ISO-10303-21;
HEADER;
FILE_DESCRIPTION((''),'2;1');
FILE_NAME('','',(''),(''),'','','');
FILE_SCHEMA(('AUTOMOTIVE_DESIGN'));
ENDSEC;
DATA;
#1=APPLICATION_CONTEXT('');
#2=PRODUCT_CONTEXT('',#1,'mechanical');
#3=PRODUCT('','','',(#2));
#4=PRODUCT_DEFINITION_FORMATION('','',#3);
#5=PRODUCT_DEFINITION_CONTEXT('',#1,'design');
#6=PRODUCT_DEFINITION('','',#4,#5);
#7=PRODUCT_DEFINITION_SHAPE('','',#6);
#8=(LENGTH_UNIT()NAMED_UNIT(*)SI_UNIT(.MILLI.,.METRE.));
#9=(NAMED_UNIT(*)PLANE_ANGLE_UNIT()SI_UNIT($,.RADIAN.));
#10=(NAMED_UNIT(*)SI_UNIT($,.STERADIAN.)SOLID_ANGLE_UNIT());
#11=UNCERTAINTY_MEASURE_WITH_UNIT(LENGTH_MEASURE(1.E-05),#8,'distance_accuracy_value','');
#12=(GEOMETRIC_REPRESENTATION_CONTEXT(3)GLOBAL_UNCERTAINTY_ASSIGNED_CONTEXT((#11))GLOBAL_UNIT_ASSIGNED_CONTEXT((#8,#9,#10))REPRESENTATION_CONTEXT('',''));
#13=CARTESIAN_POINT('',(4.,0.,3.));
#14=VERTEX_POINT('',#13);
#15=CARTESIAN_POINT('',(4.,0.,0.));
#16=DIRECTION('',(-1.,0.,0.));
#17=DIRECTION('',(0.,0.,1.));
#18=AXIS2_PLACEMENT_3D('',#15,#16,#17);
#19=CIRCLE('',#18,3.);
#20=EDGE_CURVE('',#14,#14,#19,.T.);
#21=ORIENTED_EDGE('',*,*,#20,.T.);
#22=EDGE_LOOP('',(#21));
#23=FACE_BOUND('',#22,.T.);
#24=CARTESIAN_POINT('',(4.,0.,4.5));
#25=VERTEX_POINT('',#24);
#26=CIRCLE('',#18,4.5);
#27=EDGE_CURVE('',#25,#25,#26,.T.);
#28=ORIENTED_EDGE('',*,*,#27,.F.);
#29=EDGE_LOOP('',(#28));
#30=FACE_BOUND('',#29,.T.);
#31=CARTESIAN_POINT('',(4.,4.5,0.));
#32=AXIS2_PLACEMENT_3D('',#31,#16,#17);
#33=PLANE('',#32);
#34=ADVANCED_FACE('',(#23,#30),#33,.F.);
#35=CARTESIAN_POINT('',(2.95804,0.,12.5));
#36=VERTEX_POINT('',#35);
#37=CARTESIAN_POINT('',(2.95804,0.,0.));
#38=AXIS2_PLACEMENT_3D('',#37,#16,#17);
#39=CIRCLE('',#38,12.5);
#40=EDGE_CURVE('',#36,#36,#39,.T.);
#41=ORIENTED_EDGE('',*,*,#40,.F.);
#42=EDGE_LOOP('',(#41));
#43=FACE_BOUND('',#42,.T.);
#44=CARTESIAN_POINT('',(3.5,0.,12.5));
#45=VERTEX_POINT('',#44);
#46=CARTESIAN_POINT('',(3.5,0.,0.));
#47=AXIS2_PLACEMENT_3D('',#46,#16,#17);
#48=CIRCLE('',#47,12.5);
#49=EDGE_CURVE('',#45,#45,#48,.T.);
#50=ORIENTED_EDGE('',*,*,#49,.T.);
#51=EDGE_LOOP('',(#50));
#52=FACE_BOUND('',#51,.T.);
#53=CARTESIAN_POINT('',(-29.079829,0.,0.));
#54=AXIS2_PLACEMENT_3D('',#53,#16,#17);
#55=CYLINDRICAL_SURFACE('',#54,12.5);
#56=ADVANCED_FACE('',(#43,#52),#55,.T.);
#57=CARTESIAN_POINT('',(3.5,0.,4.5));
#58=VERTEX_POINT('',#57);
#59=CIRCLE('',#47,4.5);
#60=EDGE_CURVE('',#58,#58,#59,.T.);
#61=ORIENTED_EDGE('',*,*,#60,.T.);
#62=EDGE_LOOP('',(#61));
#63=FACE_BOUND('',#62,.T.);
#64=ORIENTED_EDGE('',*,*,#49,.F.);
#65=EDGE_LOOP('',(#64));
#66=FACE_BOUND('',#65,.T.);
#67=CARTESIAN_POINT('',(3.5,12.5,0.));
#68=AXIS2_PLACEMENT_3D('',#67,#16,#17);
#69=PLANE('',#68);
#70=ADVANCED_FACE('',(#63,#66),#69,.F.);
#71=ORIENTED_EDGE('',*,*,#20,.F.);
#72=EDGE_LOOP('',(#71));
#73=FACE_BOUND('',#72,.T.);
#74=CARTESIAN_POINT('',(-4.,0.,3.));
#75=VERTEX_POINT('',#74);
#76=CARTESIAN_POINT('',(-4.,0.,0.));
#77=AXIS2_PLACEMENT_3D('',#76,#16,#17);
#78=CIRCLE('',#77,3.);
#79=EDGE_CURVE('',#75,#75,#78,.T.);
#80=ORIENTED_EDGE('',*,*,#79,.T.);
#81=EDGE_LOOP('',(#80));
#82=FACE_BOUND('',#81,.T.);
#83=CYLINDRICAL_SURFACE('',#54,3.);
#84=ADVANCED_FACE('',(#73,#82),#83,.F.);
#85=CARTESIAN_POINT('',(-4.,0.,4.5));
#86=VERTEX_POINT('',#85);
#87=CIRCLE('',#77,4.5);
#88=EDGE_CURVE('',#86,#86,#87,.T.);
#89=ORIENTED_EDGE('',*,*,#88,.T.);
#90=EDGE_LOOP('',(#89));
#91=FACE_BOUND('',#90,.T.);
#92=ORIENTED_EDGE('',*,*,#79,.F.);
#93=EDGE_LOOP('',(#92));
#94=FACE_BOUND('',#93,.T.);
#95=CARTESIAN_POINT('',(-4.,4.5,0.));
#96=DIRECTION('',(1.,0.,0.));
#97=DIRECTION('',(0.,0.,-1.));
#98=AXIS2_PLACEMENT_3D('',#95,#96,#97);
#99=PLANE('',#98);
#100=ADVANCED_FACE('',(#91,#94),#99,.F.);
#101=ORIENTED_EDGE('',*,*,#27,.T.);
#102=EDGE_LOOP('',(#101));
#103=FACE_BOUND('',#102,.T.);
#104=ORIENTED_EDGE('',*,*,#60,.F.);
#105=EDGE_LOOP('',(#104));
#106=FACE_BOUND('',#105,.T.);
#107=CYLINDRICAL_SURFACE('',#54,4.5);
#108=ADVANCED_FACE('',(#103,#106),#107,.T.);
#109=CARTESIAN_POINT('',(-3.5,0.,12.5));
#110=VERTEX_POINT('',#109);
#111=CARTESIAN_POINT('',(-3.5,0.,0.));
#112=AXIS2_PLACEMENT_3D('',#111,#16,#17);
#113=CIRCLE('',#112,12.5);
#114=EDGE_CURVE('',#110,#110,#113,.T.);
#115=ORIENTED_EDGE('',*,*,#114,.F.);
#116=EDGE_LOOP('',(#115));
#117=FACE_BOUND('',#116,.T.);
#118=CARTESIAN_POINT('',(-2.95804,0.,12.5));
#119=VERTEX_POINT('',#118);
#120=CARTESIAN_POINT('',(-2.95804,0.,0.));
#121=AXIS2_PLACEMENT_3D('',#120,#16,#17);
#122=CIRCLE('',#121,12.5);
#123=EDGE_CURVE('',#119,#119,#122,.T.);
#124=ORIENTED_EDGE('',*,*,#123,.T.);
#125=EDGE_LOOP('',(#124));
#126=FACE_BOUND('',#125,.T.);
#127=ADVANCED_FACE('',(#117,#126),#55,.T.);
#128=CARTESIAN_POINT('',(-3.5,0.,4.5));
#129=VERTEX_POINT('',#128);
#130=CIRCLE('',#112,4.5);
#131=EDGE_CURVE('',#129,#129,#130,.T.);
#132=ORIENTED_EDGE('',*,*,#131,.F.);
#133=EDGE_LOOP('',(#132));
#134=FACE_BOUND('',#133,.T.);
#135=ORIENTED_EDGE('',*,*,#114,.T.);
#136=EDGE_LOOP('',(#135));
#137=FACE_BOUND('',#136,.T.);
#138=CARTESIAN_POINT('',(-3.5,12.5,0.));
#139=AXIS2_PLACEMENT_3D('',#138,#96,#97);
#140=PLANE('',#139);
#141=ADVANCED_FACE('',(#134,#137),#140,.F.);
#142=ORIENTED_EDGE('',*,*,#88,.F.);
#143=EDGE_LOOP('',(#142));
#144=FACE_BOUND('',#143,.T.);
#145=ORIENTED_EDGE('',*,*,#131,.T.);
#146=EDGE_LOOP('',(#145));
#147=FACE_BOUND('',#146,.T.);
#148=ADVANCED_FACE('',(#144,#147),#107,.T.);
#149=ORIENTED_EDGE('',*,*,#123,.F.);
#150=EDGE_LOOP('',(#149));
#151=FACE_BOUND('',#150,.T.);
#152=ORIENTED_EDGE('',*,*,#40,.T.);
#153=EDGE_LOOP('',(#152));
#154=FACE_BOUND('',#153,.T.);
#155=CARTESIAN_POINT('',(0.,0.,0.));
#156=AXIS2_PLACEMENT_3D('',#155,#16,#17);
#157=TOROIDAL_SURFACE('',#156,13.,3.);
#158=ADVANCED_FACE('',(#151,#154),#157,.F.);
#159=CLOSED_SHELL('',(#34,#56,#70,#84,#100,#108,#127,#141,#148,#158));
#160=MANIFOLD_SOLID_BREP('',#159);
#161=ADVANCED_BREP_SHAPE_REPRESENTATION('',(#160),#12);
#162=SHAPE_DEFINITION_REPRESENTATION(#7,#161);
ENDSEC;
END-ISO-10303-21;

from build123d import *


with BuildPart() as part:
    # Esquisse1 → Révolution1 (revolve)
    with BuildSketch(Plane.XY):
        with BuildLine():
            Line((2.958039892, 12.5), (3.5, 12.5))
            Line((3.5, 12.5), (3.5, 4.5))
            Line((3.5, 4.5), (4, 4.5))
            Line((4, 4.5), (4, 3))
            Line((4, 3), (-4, 3))
            Line((-4, 3), (-4, 4.5))
            Line((-4, 4.5), (-3.5, 4.5))
            Line((-3.5, 4.5), (-3.5, 12.5))
            Line((-3.5, 12.5), (-2.958039892, 12.5))
            ThreePointArc((-2.958039892, 12.5), (0, 10), (2.958039892, 12.5))
        make_face()
    revolve(axis=Axis((-29.079829172, 0, 0), (1, 0, 0)))


solid = part.part
